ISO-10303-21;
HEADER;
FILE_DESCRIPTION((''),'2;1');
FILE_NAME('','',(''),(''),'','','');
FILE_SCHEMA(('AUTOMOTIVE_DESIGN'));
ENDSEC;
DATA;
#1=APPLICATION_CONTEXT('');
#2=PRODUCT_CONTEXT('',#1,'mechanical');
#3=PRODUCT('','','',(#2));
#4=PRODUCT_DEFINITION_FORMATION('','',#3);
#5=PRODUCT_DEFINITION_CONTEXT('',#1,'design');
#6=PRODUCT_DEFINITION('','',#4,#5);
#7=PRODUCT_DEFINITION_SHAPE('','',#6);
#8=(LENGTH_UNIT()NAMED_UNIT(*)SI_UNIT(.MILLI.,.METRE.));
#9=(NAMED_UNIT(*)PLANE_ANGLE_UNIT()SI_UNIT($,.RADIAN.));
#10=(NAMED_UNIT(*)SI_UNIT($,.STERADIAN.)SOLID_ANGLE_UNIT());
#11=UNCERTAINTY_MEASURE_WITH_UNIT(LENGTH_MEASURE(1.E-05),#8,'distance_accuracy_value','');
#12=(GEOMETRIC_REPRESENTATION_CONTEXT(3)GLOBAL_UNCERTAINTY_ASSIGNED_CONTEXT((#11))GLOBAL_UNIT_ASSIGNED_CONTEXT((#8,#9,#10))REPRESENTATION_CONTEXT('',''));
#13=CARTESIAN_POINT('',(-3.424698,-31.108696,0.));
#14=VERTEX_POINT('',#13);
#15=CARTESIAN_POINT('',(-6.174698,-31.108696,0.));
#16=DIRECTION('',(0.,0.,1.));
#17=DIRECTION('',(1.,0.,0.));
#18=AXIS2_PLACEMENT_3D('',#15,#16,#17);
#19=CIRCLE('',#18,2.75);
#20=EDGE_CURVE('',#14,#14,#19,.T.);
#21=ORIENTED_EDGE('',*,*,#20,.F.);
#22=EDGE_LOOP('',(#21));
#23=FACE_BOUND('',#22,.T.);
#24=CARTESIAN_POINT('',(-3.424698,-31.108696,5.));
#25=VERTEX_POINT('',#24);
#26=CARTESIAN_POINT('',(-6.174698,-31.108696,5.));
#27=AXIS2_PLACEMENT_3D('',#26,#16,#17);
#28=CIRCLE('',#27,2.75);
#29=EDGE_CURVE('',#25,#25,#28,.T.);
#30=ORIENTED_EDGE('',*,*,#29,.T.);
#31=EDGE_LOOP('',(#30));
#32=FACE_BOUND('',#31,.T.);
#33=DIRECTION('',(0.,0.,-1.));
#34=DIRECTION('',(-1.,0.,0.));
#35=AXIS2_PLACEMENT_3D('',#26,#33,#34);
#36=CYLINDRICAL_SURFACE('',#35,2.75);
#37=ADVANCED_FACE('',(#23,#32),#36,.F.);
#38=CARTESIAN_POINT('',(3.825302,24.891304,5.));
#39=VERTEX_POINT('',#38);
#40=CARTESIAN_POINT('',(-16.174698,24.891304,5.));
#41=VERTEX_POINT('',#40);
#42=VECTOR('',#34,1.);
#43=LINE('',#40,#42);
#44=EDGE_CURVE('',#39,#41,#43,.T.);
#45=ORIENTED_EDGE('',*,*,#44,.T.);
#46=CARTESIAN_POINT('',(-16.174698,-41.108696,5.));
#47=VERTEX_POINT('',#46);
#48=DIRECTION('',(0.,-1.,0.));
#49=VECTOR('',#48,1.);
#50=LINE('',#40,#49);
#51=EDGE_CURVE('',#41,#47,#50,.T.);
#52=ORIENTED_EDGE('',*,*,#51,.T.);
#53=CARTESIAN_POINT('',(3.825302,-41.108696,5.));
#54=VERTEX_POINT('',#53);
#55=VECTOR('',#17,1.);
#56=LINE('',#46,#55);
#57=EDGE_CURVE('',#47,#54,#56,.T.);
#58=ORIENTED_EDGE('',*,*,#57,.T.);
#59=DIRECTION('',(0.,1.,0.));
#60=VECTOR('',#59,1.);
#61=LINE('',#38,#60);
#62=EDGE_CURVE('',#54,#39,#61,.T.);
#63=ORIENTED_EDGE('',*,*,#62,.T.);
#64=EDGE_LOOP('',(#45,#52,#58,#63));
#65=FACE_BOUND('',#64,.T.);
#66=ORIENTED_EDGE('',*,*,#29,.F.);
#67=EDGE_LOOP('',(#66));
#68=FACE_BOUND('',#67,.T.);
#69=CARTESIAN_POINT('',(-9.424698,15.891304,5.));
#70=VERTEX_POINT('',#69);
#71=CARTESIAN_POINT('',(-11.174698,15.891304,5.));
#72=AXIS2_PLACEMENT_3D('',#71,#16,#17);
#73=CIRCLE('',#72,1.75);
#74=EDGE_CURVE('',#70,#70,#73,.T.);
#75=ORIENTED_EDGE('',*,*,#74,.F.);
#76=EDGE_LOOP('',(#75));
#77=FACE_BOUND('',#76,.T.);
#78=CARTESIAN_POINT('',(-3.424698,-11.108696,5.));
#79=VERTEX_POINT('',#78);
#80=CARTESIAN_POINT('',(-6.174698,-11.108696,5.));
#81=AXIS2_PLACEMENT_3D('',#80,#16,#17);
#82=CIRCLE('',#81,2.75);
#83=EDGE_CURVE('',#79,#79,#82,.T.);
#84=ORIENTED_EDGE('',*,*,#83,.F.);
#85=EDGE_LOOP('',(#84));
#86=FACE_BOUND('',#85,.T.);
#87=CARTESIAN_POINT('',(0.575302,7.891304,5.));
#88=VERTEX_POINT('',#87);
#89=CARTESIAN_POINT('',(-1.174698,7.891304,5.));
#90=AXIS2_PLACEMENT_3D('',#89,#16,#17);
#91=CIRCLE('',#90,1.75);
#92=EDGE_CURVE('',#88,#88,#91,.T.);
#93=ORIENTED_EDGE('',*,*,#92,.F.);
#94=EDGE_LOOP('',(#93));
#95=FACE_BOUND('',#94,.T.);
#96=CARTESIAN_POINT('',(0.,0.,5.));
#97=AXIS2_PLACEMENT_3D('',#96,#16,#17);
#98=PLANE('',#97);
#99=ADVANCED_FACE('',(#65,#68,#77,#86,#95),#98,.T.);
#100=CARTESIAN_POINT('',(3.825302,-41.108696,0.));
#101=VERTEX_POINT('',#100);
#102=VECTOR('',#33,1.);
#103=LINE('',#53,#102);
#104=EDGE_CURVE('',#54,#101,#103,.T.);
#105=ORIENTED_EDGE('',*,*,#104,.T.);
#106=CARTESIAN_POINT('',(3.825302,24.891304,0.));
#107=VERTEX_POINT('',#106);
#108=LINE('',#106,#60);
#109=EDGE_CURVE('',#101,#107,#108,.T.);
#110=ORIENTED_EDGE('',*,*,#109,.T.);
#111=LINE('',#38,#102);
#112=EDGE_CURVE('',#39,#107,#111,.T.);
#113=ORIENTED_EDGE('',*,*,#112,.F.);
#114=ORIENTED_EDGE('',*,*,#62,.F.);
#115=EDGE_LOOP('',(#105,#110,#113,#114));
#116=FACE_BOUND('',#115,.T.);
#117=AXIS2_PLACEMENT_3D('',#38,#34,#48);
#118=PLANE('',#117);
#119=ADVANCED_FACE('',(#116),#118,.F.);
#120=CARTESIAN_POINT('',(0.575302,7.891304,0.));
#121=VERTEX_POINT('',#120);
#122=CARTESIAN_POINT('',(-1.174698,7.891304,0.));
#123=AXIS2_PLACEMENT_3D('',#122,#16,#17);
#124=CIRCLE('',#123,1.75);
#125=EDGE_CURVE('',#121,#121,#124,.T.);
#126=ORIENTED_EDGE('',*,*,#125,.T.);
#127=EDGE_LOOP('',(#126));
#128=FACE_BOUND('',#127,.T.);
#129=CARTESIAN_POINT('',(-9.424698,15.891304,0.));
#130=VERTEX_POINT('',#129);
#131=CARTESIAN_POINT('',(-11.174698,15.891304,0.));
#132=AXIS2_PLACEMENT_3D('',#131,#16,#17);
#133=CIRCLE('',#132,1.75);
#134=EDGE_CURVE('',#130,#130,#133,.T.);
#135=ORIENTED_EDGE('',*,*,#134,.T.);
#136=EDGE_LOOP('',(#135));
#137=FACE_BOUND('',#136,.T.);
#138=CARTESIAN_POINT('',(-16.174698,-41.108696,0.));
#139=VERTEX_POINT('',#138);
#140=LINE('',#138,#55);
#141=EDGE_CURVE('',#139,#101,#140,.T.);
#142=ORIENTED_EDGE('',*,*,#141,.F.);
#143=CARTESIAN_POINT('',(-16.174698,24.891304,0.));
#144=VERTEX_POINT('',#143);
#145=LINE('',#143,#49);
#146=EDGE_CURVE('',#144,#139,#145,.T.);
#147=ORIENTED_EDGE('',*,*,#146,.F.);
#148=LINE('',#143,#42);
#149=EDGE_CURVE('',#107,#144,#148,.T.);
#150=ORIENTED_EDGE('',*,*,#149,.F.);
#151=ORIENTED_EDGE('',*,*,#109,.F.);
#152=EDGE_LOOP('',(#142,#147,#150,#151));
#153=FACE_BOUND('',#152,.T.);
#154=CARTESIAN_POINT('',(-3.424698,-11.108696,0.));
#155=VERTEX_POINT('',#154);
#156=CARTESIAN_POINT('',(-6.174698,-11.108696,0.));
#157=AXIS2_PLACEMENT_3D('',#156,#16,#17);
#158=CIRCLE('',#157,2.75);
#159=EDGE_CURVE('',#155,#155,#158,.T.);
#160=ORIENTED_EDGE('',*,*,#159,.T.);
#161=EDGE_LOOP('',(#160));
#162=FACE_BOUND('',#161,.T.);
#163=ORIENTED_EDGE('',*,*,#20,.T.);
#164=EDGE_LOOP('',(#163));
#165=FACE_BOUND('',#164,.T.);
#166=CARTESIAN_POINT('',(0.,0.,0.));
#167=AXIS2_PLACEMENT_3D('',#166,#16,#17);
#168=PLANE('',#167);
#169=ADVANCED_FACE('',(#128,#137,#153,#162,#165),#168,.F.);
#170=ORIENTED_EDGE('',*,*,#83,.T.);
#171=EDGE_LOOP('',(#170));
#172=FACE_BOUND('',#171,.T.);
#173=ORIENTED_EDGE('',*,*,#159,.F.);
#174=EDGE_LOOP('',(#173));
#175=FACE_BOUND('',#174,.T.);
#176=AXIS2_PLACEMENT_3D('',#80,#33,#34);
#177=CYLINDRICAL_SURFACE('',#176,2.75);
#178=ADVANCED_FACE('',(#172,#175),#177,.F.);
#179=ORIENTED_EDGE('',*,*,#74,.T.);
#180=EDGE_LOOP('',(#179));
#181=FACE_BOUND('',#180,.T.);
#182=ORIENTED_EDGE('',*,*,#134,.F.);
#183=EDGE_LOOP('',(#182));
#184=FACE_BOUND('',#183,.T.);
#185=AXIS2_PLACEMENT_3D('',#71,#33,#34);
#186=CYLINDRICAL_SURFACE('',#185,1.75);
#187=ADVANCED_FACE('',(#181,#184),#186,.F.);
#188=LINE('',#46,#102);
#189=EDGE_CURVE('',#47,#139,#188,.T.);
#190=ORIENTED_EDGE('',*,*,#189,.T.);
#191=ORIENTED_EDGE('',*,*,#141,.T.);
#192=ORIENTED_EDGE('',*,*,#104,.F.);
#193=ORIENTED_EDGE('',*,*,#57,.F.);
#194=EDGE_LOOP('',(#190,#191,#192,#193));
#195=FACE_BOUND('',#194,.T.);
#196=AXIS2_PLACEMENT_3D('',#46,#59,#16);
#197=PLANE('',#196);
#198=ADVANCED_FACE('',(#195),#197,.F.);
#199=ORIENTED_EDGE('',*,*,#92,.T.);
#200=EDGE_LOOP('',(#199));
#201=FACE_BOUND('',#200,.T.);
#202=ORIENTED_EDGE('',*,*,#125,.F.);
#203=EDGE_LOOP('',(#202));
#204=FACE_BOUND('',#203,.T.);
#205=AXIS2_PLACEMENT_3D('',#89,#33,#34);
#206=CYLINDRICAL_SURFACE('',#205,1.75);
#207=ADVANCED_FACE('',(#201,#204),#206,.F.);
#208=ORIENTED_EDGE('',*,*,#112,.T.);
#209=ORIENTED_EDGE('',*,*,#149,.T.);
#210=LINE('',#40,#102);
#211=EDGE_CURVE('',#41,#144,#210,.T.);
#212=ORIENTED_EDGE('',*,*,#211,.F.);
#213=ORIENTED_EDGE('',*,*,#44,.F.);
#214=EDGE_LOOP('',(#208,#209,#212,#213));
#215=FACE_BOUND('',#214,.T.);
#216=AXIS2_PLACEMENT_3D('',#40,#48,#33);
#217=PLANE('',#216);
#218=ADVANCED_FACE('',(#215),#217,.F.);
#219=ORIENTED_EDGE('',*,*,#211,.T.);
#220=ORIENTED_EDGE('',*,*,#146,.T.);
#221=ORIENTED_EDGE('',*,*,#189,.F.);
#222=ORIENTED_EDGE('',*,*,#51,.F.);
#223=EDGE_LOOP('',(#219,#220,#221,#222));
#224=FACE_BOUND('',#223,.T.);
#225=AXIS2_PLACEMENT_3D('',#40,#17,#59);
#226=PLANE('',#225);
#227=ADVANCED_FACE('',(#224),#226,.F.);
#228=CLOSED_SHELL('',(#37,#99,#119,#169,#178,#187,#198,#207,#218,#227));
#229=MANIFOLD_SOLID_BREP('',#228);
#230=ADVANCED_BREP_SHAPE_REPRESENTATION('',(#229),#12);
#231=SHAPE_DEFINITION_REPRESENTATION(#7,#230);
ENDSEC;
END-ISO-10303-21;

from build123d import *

# Parameters (mm, degrees)
ESQUISSE1_W        = 20
ESQUISSE1_H        = 66
ESQUISSE1_R        = 2.75
ESQUISSE1_R_2      = 1.75
BOSS_EXTRU_1_DEPTH = 5


with BuildPart() as part:
    # Esquisse1 → Boss.-Extru.1 (new body)
    with BuildSketch(Plane.XY):
        with Locations((-6.174697729, -8.108695652)):
            Rectangle(ESQUISSE1_W, ESQUISSE1_H)
        with Locations((-6.174697729, -31.108695652)):
            Circle(ESQUISSE1_R, mode=Mode.SUBTRACT)
        with Locations((-6.174697729, -11.108695652)):
            Circle(ESQUISSE1_R, mode=Mode.SUBTRACT)
        with Locations((-11.174697729, 15.891304348)):
            Circle(ESQUISSE1_R_2, mode=Mode.SUBTRACT)
        with Locations((-1.174697729, 7.891304348)):
            Circle(ESQUISSE1_R_2, mode=Mode.SUBTRACT)
    extrude(amount=BOSS_EXTRU_1_DEPTH)


solid = part.part
